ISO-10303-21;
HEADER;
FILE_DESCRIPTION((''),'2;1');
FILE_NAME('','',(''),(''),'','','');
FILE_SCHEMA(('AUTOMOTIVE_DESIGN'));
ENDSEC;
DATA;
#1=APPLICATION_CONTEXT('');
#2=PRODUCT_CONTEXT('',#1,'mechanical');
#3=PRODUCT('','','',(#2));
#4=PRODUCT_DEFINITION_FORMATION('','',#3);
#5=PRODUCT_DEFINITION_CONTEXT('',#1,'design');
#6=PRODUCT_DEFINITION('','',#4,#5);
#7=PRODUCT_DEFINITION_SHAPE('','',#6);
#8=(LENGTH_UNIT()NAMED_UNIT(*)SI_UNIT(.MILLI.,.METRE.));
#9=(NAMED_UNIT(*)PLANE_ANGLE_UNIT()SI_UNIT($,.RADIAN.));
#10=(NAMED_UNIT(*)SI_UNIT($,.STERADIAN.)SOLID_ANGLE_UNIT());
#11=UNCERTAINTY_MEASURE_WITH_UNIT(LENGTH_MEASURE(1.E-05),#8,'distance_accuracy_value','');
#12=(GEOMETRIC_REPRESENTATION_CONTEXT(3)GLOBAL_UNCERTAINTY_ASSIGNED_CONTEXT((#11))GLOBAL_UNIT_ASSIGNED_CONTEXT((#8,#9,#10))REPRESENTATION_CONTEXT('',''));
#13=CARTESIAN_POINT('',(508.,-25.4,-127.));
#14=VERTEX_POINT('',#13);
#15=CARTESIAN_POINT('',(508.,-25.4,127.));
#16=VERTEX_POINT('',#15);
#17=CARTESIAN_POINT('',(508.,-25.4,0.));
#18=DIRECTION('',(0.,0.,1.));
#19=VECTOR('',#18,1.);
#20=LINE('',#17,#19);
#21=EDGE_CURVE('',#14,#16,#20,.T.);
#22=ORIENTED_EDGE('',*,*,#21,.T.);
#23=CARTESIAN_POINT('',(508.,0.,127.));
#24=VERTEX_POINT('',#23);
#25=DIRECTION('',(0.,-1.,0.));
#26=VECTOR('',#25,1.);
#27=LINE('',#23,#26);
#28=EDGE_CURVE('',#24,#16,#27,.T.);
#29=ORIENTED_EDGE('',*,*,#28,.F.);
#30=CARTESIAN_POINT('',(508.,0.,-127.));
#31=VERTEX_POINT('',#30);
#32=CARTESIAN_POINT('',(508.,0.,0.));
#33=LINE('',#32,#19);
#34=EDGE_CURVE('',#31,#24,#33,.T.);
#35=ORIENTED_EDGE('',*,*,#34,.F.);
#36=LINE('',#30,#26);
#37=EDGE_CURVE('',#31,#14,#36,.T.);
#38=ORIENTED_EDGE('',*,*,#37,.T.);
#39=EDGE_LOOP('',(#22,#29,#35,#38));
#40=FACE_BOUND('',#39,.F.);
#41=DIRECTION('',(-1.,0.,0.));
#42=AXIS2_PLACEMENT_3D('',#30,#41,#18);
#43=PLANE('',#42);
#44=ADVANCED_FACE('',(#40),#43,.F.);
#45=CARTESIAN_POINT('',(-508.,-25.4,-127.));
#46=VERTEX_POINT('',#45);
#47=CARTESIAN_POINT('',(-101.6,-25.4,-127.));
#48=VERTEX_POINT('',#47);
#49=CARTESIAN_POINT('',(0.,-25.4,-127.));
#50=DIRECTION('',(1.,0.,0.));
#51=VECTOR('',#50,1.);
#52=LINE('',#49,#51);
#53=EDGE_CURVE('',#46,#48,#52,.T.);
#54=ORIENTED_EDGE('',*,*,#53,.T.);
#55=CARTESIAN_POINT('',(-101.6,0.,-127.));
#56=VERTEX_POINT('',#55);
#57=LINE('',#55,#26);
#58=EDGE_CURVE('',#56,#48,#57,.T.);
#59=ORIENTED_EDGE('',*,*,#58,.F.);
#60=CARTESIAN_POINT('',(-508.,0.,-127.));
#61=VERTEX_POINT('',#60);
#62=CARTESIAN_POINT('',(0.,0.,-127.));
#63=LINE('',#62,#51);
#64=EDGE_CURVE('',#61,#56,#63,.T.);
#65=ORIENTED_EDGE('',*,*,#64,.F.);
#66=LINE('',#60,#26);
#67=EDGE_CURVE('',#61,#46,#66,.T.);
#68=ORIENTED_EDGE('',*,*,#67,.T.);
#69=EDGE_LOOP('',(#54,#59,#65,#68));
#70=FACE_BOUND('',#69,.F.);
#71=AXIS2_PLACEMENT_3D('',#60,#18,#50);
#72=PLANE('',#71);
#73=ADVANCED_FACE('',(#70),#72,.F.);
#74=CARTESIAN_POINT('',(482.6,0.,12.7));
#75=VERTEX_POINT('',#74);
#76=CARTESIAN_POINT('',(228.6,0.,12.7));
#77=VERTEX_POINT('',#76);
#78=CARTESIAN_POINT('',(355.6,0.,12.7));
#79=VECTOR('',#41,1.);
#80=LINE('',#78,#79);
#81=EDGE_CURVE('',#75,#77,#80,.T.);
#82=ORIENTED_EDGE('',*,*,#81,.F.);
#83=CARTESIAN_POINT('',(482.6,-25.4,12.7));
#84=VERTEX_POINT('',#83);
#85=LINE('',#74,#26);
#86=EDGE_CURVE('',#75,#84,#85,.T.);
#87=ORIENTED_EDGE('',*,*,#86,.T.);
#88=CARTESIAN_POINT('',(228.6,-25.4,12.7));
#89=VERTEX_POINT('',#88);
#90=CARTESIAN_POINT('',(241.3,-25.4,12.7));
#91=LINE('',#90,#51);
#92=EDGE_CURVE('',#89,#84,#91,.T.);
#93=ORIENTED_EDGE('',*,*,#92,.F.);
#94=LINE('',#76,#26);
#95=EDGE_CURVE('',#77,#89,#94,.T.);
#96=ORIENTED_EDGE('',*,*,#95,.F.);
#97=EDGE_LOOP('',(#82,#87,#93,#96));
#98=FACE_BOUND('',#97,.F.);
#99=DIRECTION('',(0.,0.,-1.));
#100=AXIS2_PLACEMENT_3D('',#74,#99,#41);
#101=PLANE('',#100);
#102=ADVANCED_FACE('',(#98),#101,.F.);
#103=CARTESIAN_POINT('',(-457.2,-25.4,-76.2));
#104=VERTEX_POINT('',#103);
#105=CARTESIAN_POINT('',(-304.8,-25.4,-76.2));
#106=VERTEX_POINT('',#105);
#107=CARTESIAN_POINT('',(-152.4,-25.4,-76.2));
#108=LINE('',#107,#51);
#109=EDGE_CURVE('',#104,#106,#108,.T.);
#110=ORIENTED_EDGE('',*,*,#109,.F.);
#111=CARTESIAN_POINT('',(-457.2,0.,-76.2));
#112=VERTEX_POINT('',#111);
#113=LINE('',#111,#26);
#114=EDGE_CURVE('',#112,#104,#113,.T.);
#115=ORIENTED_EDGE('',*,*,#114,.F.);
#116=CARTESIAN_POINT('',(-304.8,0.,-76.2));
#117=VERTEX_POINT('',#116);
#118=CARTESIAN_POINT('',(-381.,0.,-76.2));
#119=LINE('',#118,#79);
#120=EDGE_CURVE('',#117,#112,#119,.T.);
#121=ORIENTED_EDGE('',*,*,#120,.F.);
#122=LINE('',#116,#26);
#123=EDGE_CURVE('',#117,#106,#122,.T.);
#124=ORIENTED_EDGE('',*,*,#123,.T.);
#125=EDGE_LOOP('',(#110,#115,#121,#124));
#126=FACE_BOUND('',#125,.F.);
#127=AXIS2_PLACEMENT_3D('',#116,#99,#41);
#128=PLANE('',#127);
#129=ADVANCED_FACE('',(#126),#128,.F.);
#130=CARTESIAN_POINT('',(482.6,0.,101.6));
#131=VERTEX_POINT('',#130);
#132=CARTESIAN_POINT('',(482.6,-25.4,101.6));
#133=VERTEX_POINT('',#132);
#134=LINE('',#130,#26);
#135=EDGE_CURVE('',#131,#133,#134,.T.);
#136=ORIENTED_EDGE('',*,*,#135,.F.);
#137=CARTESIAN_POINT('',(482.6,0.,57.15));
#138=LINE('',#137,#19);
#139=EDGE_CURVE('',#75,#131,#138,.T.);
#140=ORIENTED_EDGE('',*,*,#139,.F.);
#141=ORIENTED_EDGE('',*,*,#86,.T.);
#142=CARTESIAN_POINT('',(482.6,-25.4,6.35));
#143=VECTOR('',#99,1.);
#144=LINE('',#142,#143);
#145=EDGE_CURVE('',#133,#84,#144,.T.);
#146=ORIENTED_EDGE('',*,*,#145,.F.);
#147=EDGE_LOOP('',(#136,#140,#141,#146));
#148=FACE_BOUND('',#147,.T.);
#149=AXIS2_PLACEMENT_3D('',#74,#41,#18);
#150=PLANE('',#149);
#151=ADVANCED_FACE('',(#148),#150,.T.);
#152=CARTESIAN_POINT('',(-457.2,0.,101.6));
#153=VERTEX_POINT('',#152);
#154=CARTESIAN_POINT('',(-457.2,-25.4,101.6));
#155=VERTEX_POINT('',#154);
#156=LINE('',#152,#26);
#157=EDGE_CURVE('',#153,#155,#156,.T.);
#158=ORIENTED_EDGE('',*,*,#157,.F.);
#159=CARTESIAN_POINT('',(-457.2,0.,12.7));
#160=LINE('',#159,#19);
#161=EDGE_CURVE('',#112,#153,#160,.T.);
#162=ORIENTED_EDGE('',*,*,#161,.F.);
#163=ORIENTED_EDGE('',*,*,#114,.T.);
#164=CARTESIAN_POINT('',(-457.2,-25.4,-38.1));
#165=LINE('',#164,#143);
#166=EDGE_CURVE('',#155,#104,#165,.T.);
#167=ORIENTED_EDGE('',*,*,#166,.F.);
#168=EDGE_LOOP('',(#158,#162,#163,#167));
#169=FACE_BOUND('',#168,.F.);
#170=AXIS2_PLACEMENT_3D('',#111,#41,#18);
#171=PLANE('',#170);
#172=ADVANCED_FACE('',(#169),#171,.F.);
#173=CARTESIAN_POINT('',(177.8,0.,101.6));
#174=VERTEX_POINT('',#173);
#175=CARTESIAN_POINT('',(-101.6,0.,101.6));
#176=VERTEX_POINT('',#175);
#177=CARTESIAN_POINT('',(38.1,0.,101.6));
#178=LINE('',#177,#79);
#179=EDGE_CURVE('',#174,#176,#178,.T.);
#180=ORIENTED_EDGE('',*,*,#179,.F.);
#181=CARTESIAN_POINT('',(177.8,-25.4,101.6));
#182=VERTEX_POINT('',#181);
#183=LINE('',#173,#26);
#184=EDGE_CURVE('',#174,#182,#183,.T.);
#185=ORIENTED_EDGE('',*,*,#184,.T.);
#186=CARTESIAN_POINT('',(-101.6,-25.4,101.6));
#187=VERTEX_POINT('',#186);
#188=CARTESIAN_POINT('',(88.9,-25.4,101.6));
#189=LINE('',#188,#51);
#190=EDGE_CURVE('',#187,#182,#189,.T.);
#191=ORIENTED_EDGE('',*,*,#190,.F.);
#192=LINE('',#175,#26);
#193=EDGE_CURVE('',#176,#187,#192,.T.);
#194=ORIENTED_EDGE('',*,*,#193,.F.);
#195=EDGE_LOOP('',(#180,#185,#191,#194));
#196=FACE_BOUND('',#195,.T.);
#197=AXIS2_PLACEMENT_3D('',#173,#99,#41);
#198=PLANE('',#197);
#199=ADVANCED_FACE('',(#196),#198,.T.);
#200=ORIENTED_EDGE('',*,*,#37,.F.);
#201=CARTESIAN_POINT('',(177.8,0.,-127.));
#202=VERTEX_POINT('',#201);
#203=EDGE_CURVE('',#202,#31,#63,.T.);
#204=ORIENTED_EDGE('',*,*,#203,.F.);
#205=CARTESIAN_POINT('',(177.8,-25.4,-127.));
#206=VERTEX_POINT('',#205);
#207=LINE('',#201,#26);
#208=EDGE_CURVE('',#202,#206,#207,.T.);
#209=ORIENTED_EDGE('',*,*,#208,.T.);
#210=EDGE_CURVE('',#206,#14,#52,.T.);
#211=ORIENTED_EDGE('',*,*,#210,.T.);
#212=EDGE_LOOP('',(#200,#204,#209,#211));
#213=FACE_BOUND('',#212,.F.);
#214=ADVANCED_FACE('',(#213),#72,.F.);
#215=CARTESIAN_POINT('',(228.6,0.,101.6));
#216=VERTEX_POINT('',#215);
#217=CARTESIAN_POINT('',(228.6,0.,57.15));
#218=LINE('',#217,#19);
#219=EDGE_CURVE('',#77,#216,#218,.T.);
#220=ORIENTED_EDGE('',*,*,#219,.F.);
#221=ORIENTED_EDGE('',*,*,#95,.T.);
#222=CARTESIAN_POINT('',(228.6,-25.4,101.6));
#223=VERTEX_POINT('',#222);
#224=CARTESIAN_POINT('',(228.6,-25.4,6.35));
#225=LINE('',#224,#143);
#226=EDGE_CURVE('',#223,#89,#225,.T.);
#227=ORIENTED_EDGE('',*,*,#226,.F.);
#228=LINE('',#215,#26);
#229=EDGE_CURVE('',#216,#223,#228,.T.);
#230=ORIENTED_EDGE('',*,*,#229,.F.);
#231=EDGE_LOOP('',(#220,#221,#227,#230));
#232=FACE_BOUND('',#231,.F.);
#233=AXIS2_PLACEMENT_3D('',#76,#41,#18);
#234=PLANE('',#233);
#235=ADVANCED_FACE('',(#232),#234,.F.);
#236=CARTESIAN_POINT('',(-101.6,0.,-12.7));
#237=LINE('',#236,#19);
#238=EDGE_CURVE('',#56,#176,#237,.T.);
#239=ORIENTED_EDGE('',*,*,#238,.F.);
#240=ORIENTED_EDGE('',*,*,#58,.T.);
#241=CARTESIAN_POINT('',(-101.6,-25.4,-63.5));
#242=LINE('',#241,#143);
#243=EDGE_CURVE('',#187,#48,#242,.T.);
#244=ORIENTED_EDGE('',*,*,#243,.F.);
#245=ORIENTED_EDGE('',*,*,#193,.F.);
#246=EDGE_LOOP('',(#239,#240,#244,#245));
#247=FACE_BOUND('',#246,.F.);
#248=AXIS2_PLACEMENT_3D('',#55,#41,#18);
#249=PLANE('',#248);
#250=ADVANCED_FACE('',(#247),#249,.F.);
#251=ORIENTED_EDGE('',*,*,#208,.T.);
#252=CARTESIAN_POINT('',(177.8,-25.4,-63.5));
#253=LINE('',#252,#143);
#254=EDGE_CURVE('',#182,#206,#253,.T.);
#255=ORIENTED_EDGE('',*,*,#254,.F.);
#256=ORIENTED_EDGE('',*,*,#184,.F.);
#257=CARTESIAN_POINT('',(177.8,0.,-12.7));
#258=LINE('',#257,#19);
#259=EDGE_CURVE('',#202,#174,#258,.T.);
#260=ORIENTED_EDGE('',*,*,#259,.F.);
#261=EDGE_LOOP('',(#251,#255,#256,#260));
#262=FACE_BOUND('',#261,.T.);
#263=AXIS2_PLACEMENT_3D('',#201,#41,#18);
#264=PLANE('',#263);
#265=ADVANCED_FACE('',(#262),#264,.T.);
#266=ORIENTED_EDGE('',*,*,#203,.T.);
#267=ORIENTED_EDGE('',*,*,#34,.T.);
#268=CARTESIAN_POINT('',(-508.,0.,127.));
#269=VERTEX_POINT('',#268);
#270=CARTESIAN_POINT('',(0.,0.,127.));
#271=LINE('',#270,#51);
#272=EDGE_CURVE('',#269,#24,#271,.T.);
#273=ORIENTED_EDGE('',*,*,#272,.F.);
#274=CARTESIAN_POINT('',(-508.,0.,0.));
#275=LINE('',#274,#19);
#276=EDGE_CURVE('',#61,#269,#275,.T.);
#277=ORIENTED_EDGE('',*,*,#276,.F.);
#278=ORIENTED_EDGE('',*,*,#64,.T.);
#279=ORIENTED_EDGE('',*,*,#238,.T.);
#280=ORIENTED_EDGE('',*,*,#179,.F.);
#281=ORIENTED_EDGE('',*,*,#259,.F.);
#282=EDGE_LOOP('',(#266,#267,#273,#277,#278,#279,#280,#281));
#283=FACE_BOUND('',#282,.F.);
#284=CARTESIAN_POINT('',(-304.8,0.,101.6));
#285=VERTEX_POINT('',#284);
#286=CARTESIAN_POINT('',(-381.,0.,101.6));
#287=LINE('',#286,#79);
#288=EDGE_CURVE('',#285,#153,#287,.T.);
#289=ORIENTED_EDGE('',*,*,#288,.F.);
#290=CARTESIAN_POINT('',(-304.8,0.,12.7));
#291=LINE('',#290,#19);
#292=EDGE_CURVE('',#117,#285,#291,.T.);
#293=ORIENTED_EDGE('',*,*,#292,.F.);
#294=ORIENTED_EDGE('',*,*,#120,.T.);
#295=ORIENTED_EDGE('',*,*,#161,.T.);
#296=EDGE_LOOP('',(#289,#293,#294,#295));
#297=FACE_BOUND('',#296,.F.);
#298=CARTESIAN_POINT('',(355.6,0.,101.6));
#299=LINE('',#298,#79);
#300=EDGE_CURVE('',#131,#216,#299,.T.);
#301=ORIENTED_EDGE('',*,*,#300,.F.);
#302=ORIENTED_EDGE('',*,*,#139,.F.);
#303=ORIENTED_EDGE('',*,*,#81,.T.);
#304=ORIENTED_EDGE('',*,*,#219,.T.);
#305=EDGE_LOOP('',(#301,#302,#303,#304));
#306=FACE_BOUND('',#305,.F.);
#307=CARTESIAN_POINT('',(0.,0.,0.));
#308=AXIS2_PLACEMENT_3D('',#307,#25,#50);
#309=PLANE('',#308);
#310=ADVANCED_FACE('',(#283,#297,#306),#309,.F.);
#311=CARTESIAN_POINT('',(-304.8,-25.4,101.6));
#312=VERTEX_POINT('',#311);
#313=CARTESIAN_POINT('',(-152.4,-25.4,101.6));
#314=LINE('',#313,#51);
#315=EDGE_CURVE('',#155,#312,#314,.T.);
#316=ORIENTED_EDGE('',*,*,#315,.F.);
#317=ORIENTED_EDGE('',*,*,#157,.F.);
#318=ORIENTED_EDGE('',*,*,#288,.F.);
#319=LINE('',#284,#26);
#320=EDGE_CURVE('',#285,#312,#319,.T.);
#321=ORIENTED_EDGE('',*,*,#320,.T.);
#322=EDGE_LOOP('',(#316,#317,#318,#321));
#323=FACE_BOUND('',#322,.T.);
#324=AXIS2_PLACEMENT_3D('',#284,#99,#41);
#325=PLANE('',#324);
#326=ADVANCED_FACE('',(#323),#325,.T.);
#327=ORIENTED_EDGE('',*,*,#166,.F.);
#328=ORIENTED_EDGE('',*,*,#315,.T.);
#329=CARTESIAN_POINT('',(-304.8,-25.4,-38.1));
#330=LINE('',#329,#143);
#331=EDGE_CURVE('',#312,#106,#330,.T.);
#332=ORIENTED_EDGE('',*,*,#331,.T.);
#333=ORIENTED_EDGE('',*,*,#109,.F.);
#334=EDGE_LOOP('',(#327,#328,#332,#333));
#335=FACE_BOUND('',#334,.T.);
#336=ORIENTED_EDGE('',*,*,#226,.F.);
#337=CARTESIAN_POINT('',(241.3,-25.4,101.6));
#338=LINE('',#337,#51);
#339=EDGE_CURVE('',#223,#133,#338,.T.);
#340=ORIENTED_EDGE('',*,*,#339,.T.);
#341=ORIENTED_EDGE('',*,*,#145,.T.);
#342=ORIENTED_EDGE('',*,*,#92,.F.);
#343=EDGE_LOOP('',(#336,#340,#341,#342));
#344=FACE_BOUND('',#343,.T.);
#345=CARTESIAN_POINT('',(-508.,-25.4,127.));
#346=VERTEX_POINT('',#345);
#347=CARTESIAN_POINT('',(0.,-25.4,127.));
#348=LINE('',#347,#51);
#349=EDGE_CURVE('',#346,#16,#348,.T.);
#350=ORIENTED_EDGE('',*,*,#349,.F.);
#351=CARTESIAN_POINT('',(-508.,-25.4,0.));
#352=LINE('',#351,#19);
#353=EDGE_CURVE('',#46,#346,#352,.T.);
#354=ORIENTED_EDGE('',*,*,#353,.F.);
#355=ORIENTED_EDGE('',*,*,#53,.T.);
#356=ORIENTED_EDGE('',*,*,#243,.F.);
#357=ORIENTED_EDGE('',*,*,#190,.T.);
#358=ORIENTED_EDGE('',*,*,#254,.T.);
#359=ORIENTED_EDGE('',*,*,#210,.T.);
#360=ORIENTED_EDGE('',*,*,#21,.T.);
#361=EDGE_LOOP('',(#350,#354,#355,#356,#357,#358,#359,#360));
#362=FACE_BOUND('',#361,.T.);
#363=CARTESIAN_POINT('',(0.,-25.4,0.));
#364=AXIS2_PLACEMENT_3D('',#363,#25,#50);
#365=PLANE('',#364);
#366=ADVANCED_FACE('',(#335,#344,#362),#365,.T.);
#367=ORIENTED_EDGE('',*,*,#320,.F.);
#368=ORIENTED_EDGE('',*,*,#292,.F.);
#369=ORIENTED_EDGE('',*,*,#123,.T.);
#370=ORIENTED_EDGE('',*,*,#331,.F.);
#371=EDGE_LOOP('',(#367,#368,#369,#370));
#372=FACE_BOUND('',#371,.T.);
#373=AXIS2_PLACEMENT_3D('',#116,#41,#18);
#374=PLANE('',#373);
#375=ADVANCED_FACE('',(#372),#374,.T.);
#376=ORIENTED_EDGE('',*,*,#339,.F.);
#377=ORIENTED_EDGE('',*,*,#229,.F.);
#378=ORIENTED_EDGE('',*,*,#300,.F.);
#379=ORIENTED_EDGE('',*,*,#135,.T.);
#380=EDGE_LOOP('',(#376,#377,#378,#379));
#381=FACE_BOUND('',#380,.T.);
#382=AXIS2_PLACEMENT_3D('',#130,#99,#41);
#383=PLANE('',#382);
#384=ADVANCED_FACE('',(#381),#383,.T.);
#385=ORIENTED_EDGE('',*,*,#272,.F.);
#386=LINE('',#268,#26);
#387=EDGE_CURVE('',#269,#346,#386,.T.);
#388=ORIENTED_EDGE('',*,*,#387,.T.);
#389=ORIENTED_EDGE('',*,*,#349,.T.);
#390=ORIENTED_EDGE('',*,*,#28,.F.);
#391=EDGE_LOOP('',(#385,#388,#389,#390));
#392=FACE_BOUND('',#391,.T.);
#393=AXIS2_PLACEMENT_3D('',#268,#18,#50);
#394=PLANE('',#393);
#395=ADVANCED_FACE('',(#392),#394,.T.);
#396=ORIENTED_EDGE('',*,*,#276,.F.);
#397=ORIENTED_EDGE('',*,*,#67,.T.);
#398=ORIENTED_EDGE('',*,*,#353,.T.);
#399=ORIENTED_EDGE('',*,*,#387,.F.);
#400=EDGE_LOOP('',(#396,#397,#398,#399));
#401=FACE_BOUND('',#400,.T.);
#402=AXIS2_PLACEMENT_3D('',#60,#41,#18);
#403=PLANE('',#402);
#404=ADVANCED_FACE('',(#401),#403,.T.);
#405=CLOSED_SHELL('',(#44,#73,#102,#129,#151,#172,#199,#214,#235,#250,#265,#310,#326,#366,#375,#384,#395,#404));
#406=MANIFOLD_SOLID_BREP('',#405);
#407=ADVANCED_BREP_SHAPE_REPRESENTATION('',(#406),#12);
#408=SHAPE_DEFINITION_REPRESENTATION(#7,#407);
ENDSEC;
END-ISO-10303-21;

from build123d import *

# Parameters (mm, degrees)
F0_W     = 1016
F0_H     = 254
F1_DEPTH = 25.4
F2_W     = 254
F2_H     = 88.9
F2_W_2   = 279.4
F2_H_2   = 228.6
F2_W_3   = 152.4
F2_H_3   = 177.8
F3_DEPTH = 76.2


with BuildPart() as f1:
    # F0 (on Front) → F1 (new body)
    with BuildSketch(Plane.XZ):
        Rectangle(F0_W, F0_H)
    extrude(amount=F1_DEPTH)

    # F2 (on face) → F3 (cut)
    with BuildSketch(Plane(origin=(0, 0, 0), x_dir=(-1, 0, 0), z_dir=(0, 1, 0))):
        with Locations((-355.6, 57.15)):
            Rectangle(F2_W, F2_H)
        with Locations((-38.1, -12.7)):
            Rectangle(F2_W_2, F2_H_2)
        with Locations((381, 12.7)):
            Rectangle(F2_W_3, F2_H_3)
    extrude(amount=-F3_DEPTH, mode=Mode.SUBTRACT)


solid = f1.part
